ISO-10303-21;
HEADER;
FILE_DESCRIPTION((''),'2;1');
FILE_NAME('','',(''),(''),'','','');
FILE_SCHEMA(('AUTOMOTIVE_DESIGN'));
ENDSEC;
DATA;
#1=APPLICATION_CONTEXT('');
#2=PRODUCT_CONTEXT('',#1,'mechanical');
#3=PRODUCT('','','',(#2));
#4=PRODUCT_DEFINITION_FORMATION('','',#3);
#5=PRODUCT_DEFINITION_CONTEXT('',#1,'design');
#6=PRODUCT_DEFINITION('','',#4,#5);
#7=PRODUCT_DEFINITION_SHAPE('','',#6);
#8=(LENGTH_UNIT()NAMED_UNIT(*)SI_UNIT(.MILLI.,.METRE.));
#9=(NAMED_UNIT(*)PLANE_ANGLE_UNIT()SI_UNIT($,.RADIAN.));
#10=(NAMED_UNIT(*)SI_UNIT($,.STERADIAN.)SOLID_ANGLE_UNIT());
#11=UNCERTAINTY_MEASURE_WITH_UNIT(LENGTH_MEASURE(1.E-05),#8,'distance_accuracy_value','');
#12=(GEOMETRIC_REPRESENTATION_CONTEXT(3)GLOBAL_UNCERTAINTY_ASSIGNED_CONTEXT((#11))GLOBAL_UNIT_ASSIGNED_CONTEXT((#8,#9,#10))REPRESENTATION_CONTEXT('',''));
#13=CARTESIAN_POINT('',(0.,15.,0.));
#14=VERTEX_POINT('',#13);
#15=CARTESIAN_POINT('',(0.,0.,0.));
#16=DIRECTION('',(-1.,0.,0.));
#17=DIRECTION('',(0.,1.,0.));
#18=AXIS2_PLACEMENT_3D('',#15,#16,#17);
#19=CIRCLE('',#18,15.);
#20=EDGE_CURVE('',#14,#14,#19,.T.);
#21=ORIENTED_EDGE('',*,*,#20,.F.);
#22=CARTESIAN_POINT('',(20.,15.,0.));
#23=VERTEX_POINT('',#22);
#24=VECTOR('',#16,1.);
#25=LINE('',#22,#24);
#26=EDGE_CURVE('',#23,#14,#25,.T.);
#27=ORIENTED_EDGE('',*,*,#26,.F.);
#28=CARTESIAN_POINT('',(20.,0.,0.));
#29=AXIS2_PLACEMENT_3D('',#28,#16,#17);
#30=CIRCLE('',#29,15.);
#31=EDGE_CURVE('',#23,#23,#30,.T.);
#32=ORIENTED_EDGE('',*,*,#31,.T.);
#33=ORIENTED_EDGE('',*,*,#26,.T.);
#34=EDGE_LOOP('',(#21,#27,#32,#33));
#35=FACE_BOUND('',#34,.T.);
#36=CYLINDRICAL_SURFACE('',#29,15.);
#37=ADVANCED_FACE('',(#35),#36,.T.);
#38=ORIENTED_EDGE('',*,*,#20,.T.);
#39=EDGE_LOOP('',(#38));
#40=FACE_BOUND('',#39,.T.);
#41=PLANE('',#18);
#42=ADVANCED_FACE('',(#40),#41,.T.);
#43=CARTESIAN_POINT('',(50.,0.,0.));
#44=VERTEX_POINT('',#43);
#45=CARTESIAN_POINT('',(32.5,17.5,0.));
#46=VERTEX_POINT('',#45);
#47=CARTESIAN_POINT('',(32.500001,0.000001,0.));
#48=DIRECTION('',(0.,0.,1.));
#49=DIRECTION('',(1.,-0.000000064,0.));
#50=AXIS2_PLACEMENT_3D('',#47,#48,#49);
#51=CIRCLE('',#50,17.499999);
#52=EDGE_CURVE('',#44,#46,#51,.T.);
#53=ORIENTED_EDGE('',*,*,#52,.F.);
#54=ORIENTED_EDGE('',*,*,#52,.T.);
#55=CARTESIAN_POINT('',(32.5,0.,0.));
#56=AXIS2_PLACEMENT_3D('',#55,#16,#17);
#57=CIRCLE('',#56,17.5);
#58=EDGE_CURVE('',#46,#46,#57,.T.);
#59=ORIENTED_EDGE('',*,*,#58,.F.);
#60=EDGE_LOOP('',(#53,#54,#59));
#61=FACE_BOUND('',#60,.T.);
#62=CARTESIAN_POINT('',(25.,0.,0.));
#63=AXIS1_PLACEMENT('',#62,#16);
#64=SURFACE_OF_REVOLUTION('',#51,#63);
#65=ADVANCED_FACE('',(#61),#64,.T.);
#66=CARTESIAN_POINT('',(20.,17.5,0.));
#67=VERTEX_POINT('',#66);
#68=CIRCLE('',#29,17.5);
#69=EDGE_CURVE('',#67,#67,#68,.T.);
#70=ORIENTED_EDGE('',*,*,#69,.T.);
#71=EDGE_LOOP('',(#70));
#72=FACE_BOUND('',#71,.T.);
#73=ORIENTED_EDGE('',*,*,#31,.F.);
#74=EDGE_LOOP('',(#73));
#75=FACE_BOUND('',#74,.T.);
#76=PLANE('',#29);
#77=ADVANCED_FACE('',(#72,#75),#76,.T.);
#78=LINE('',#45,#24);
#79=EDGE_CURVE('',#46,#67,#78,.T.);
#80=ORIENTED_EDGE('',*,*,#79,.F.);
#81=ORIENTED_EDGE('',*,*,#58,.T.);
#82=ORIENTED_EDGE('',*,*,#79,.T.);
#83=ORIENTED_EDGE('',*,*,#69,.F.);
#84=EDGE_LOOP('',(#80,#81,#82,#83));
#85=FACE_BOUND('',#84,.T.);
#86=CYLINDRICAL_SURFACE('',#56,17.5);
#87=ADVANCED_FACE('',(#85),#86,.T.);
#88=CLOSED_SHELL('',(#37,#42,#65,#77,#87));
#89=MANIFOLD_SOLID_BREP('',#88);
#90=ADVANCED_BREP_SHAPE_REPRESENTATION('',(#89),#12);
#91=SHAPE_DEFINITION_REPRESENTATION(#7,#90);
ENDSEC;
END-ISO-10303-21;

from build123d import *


with BuildPart() as f1:
    # F0 (on Top) → F1 (revolve)
    with BuildSketch(Plane.XY):
        with BuildLine():
            Line((0, 15), (0, 0))
            Line((0, 0), (50, 0))
            ThreePointArc((50, 0), (44.874369, 12.374369), (32.5, 17.5))
            Line((32.5, 17.5), (20, 17.5))
            Line((20, 17.5), (20, 15))
            Line((20, 15), (0, 15))
        make_face()
    revolve(axis=Axis((25, 0, 0), (-1, 0, 0)))


solid = f1.part
